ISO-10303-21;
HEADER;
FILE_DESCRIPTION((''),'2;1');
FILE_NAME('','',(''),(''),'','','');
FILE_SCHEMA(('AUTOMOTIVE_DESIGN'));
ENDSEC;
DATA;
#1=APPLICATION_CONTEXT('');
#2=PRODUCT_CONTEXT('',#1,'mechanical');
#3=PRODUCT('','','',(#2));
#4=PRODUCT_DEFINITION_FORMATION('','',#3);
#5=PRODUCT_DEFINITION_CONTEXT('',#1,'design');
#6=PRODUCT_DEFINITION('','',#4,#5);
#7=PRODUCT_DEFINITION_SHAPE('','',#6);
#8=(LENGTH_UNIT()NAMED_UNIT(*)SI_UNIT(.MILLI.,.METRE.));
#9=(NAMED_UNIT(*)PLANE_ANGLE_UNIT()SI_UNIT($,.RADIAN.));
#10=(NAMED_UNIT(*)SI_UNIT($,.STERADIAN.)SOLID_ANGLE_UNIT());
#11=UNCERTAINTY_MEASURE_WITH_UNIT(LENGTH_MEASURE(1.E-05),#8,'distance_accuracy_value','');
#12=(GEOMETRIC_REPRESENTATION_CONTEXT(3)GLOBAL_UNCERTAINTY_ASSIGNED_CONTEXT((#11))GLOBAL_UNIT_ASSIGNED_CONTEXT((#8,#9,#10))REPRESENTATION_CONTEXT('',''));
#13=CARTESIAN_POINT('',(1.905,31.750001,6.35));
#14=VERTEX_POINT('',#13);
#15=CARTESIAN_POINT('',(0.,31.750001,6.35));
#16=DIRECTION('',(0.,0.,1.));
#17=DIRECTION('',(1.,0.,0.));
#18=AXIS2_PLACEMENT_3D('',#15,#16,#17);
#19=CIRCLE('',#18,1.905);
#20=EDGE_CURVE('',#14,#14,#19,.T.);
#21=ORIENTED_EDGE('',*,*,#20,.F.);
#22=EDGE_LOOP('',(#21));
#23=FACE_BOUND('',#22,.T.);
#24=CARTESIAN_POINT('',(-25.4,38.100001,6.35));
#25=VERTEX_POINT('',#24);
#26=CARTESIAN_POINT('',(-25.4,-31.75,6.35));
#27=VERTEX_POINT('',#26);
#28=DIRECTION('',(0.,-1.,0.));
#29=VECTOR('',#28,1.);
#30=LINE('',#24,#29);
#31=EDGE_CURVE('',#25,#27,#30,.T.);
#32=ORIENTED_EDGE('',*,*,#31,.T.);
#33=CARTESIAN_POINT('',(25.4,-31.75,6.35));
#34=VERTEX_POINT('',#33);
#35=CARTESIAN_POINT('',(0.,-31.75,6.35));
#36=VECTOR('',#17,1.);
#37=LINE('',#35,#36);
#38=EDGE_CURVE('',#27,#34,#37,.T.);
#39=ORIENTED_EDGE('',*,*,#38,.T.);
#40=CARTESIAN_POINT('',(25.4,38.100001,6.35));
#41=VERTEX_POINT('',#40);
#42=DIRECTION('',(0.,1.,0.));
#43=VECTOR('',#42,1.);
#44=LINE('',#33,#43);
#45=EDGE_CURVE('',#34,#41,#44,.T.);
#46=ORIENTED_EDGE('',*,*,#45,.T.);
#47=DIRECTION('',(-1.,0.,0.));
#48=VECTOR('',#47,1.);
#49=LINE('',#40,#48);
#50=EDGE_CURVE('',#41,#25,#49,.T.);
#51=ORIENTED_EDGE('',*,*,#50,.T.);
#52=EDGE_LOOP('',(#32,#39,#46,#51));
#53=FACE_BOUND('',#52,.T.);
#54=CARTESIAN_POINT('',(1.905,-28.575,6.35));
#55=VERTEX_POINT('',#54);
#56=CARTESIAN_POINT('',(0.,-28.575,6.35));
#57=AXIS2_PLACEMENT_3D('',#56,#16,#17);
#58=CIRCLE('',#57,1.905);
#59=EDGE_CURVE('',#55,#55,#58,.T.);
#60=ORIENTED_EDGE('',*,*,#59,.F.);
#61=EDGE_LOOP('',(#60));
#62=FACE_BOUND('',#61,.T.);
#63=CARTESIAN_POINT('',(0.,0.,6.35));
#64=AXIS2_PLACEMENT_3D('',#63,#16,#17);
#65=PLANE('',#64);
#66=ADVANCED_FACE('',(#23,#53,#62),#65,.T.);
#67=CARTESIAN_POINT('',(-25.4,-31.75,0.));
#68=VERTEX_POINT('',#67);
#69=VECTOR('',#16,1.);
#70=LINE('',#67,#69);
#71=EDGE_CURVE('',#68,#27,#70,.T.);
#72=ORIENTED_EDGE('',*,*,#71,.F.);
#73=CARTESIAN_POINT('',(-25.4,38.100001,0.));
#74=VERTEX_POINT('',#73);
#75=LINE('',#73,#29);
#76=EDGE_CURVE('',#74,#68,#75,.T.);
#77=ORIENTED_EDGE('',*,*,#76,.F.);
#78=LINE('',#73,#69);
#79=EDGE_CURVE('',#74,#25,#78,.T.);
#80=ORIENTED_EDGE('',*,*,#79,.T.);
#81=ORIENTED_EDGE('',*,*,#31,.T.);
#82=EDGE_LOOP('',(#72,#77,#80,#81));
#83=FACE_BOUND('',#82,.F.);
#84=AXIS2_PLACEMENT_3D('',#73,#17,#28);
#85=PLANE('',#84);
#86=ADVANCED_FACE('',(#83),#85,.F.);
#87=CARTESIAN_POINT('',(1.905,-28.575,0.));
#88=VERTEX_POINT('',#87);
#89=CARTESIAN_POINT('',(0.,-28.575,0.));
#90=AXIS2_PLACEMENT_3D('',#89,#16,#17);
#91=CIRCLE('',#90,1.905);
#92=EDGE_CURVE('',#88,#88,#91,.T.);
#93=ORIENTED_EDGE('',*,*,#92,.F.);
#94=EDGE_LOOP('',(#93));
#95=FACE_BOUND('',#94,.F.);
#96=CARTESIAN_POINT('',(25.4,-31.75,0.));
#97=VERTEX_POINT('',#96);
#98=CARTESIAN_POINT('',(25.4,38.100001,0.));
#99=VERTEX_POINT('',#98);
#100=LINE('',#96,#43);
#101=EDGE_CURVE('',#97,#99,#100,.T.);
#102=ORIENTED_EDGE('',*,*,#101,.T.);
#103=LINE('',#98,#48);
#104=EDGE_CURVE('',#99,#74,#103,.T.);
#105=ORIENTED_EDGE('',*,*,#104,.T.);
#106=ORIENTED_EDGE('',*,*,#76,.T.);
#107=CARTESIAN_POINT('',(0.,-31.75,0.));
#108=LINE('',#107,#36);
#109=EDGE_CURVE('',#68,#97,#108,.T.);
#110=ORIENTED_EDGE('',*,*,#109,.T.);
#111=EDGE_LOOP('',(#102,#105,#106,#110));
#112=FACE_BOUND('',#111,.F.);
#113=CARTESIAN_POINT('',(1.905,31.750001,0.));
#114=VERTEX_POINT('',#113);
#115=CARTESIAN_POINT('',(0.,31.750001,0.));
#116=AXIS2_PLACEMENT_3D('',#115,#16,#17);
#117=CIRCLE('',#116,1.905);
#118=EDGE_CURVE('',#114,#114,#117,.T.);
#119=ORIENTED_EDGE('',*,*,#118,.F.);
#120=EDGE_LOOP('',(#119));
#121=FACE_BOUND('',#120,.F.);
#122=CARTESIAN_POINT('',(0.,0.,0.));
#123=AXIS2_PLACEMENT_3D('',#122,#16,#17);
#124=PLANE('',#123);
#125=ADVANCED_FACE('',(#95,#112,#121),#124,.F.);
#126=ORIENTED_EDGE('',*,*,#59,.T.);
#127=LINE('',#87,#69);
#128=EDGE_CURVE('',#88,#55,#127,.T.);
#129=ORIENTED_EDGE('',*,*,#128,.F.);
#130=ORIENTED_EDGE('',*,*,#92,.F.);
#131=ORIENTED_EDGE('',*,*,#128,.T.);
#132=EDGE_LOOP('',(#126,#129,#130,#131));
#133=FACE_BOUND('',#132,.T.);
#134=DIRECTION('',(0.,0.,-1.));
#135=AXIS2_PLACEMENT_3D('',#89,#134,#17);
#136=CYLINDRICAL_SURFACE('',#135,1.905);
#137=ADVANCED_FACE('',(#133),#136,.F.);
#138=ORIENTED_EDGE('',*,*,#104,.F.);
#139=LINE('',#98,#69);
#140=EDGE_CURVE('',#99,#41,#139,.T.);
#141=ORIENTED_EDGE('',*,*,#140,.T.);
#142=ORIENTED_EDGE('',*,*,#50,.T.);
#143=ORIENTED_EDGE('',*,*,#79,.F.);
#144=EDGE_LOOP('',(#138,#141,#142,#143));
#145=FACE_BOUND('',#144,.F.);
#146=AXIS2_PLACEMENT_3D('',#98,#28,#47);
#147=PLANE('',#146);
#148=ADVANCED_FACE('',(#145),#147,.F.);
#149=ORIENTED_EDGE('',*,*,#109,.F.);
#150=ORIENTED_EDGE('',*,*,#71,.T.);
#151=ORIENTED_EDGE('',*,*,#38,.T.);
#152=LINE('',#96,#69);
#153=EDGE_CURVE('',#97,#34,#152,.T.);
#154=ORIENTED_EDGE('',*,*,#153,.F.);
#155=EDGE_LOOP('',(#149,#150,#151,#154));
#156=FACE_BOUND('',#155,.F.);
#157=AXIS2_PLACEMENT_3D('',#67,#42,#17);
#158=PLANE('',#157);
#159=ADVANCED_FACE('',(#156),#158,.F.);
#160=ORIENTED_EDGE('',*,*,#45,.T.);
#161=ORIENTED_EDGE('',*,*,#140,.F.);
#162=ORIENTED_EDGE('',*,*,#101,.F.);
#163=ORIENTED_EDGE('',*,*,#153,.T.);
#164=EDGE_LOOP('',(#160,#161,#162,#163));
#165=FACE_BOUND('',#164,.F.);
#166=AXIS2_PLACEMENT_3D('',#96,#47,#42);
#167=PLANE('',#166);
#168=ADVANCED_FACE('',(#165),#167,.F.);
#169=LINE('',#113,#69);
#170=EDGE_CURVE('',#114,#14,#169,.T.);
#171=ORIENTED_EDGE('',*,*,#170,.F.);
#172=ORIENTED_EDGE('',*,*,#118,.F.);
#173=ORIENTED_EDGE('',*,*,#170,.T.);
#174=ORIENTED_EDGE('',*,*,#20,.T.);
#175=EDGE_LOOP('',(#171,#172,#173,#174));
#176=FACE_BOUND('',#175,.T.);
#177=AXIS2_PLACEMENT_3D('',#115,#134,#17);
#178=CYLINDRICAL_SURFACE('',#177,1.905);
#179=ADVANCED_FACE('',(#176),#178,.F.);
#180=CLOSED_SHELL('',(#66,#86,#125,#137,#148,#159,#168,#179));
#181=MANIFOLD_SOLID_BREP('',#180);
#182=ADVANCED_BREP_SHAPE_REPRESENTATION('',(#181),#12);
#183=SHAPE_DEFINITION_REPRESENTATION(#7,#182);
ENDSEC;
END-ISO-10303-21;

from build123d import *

# Parameters (mm, degrees)
F0_W     = 50.8
F0_H     = 50.8
F0_R     = 1.905
F0_H_2   = 6.35
F1_DEPTH = 6.35


with BuildPart() as f1:
    # F0 (on Top) → F1 (new body)
    with BuildSketch(Plane.XY):
        Rectangle(F0_W, F0_H)
        Polygon((-25.4, 31.750001), (-25.4, 25.4), (25.4, 25.4), (25.4, 31.750001), (25.4, 38.100001), (14.365858, 38.100001), (-14.365858, 38.100001), (-25.4, 38.100001), align=None)
        with Locations((0, 31.750001)):
            Circle(F0_R, mode=Mode.SUBTRACT)
        with Locations((0, -28.575)):
            Rectangle(F0_W, F0_H_2)
        with Locations((0, -28.575)):
            Circle(F0_R, mode=Mode.SUBTRACT)
    extrude(amount=F1_DEPTH)


solid = f1.part
